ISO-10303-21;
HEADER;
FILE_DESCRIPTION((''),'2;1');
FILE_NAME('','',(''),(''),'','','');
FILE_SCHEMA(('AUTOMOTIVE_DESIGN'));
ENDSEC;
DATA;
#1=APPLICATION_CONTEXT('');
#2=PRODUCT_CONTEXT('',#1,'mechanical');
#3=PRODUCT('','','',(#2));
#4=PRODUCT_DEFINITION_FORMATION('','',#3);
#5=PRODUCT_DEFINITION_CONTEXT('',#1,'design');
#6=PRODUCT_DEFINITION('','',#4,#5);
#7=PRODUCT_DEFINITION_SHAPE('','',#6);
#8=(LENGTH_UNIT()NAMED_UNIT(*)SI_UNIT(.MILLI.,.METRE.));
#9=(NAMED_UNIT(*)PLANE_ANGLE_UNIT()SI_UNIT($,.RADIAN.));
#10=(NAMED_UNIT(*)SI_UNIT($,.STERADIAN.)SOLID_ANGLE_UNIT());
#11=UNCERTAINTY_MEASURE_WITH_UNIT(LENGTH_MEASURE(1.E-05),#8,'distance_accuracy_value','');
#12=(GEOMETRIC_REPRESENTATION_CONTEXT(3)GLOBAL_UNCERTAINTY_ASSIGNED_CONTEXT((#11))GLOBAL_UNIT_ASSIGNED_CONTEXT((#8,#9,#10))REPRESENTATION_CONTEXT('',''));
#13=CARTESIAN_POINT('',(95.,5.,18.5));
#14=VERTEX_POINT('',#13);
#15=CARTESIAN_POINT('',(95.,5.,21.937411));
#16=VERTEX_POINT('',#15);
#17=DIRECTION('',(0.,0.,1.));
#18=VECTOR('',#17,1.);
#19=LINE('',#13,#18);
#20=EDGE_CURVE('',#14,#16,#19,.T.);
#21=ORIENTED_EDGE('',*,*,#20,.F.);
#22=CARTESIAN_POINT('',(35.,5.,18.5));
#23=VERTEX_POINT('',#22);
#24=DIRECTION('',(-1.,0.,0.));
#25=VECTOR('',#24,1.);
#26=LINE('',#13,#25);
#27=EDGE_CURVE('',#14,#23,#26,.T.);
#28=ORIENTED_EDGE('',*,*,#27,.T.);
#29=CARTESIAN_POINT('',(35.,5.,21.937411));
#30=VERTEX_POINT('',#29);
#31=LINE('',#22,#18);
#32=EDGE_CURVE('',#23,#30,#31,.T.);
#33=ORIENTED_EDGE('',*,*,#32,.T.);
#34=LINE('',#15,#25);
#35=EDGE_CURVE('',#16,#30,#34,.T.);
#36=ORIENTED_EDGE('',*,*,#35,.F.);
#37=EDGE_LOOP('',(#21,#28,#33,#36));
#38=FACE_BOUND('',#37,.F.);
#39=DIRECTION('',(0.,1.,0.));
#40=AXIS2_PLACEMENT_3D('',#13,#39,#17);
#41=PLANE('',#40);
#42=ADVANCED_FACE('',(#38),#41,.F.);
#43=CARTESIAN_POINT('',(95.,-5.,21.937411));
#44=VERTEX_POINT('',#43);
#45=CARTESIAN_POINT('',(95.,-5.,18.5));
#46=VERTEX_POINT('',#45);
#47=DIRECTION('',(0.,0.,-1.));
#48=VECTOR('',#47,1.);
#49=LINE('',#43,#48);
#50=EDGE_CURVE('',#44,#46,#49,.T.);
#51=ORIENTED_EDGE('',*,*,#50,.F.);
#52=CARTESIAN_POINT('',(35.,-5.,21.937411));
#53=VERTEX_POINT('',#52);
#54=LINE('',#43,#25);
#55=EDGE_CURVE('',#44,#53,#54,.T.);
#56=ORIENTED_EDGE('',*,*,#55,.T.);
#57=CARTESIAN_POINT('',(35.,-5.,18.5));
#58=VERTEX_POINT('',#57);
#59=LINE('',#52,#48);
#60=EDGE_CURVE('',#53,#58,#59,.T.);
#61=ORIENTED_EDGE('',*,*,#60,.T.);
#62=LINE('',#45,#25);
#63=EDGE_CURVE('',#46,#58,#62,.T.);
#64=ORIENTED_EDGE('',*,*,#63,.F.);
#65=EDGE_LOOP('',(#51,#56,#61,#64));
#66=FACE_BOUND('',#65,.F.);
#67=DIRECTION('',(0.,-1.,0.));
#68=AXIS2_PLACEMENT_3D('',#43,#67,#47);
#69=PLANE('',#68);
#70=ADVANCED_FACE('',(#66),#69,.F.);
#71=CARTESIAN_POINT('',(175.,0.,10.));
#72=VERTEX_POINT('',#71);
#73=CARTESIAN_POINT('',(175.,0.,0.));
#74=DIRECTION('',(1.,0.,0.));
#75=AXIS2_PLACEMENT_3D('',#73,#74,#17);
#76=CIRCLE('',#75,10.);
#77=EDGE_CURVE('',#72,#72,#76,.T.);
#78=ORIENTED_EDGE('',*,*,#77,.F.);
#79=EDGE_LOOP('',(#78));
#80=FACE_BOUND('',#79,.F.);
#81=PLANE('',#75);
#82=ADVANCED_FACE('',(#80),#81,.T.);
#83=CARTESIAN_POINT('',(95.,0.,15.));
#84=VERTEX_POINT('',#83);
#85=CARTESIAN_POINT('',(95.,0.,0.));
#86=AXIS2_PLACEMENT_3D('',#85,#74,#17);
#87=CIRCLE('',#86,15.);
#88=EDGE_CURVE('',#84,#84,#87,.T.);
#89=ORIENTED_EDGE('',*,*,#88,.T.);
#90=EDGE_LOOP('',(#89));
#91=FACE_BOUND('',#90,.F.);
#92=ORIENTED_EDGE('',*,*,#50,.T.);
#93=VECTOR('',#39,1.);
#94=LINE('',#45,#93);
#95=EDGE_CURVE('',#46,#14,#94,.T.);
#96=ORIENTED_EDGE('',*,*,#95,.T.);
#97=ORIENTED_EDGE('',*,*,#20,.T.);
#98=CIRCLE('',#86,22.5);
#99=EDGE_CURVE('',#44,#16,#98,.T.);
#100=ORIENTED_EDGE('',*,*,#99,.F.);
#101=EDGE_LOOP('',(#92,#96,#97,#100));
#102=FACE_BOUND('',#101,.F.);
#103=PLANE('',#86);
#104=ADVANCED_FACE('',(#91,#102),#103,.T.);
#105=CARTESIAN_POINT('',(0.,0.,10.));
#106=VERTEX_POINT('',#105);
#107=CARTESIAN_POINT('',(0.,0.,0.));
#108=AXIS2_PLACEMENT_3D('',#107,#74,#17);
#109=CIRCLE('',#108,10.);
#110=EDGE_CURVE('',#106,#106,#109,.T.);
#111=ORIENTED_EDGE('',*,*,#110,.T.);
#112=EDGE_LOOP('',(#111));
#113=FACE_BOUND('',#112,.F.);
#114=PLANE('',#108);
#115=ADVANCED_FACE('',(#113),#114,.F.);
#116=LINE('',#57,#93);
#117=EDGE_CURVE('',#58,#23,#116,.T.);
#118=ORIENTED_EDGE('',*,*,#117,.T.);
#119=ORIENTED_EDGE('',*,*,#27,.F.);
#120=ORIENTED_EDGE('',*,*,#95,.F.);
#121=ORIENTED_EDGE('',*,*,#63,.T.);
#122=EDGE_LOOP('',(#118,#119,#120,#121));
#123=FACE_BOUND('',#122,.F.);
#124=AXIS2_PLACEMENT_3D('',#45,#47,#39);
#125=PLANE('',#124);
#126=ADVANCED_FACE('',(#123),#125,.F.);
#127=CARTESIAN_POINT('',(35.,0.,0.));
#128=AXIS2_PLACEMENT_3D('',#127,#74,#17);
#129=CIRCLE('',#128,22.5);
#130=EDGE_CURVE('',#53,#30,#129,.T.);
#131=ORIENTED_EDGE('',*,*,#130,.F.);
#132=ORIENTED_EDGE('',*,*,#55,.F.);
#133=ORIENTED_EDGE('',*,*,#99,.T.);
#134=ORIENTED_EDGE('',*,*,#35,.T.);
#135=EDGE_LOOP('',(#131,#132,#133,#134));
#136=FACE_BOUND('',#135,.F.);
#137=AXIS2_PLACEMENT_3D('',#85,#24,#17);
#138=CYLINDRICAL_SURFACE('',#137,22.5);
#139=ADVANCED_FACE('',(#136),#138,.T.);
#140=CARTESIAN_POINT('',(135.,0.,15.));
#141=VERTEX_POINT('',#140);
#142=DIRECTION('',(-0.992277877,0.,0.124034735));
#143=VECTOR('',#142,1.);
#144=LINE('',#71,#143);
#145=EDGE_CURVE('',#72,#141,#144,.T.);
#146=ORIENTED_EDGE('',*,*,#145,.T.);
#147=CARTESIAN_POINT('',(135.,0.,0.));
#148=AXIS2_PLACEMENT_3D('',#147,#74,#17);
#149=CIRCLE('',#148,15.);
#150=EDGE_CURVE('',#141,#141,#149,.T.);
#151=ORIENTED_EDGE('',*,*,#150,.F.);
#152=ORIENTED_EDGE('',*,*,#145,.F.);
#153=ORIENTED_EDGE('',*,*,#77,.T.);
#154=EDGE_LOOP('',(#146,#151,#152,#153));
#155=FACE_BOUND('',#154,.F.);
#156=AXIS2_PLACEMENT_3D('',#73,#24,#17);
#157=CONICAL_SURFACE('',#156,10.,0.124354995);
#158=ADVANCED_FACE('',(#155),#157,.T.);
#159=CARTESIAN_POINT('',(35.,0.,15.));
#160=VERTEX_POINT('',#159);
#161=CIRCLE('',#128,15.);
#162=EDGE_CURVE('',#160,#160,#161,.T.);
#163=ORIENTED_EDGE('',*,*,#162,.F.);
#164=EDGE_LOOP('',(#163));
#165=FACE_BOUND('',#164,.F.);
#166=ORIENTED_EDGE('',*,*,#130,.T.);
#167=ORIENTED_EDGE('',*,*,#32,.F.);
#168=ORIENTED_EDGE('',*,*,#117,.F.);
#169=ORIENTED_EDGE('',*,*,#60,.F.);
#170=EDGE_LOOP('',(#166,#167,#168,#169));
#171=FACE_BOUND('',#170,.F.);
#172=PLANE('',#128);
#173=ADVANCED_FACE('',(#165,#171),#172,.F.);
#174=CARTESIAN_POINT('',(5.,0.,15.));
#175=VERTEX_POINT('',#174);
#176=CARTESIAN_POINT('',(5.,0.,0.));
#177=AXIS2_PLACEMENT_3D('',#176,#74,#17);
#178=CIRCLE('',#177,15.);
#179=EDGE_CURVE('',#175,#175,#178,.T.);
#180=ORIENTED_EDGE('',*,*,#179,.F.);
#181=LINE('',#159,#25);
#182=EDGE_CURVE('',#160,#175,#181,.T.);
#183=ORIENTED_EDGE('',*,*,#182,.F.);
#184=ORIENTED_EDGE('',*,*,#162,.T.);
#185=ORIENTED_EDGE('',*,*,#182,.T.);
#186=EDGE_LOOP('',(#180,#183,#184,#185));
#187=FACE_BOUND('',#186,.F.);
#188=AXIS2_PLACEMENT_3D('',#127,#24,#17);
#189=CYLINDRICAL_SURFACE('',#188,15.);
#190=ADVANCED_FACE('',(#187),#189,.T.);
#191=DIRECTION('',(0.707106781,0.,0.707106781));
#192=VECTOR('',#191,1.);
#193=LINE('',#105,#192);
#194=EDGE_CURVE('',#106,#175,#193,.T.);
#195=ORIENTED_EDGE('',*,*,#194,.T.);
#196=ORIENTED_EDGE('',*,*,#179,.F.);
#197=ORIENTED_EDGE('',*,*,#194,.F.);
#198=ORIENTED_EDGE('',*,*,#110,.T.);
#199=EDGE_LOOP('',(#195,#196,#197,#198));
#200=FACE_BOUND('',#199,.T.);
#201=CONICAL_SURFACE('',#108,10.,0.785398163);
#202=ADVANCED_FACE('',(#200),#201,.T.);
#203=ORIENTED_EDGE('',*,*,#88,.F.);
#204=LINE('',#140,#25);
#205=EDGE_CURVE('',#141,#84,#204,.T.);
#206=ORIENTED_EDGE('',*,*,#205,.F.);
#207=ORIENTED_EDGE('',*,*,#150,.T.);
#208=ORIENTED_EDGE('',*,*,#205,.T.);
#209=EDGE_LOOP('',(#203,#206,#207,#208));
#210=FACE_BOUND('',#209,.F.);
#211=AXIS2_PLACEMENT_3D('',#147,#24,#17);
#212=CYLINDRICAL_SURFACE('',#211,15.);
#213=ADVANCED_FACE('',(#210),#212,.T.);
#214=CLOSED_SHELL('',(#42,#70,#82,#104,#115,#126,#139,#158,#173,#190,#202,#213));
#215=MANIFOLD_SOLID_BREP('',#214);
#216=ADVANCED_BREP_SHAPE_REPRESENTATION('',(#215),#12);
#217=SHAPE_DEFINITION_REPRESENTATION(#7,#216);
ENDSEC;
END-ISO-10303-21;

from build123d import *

# Parameters (mm, degrees)
F4_DEPTH = 60


with BuildPart() as f2:
    # F0 (on Front) → F2 (revolve)
    with BuildSketch(Plane.XZ):
        Polygon((0, 15), (0, 0), (175, 0), (175, 10), (135, 15), (95, 15), (95, 22.5), (35, 22.5), (35, 15), align=None)
    revolve(axis=Axis((109.590694, 0, 0), (1, 0, 0)))

    # F3 (on face) → F4 (cut, through all)
    with BuildSketch(Plane.YZ.offset(95)):
        with BuildLine():
            ThreePointArc((5, 21.937411), (2.515776, 22.35891), (0, 22.5))
            ThreePointArc((0, 22.5), (-2.515776, 22.35891), (-5, 21.937411))
            Line((-5, 21.937411), (-5, 18.5))
            Line((-5, 18.5), (5, 18.5))
            Line((5, 18.5), (5, 21.937411))
        make_face()
    extrude(amount=-F4_DEPTH, mode=Mode.SUBTRACT)

    # F5 (on Front) → F6 (revolve, cut)
    with BuildSketch(Plane.XZ):
        Polygon((5, 15), (0, 15), (0, 10), align=None)
    revolve(axis=Axis((109.590694, 0, 0), (1, 0, 0)), mode=Mode.SUBTRACT)


solid = f2.part
